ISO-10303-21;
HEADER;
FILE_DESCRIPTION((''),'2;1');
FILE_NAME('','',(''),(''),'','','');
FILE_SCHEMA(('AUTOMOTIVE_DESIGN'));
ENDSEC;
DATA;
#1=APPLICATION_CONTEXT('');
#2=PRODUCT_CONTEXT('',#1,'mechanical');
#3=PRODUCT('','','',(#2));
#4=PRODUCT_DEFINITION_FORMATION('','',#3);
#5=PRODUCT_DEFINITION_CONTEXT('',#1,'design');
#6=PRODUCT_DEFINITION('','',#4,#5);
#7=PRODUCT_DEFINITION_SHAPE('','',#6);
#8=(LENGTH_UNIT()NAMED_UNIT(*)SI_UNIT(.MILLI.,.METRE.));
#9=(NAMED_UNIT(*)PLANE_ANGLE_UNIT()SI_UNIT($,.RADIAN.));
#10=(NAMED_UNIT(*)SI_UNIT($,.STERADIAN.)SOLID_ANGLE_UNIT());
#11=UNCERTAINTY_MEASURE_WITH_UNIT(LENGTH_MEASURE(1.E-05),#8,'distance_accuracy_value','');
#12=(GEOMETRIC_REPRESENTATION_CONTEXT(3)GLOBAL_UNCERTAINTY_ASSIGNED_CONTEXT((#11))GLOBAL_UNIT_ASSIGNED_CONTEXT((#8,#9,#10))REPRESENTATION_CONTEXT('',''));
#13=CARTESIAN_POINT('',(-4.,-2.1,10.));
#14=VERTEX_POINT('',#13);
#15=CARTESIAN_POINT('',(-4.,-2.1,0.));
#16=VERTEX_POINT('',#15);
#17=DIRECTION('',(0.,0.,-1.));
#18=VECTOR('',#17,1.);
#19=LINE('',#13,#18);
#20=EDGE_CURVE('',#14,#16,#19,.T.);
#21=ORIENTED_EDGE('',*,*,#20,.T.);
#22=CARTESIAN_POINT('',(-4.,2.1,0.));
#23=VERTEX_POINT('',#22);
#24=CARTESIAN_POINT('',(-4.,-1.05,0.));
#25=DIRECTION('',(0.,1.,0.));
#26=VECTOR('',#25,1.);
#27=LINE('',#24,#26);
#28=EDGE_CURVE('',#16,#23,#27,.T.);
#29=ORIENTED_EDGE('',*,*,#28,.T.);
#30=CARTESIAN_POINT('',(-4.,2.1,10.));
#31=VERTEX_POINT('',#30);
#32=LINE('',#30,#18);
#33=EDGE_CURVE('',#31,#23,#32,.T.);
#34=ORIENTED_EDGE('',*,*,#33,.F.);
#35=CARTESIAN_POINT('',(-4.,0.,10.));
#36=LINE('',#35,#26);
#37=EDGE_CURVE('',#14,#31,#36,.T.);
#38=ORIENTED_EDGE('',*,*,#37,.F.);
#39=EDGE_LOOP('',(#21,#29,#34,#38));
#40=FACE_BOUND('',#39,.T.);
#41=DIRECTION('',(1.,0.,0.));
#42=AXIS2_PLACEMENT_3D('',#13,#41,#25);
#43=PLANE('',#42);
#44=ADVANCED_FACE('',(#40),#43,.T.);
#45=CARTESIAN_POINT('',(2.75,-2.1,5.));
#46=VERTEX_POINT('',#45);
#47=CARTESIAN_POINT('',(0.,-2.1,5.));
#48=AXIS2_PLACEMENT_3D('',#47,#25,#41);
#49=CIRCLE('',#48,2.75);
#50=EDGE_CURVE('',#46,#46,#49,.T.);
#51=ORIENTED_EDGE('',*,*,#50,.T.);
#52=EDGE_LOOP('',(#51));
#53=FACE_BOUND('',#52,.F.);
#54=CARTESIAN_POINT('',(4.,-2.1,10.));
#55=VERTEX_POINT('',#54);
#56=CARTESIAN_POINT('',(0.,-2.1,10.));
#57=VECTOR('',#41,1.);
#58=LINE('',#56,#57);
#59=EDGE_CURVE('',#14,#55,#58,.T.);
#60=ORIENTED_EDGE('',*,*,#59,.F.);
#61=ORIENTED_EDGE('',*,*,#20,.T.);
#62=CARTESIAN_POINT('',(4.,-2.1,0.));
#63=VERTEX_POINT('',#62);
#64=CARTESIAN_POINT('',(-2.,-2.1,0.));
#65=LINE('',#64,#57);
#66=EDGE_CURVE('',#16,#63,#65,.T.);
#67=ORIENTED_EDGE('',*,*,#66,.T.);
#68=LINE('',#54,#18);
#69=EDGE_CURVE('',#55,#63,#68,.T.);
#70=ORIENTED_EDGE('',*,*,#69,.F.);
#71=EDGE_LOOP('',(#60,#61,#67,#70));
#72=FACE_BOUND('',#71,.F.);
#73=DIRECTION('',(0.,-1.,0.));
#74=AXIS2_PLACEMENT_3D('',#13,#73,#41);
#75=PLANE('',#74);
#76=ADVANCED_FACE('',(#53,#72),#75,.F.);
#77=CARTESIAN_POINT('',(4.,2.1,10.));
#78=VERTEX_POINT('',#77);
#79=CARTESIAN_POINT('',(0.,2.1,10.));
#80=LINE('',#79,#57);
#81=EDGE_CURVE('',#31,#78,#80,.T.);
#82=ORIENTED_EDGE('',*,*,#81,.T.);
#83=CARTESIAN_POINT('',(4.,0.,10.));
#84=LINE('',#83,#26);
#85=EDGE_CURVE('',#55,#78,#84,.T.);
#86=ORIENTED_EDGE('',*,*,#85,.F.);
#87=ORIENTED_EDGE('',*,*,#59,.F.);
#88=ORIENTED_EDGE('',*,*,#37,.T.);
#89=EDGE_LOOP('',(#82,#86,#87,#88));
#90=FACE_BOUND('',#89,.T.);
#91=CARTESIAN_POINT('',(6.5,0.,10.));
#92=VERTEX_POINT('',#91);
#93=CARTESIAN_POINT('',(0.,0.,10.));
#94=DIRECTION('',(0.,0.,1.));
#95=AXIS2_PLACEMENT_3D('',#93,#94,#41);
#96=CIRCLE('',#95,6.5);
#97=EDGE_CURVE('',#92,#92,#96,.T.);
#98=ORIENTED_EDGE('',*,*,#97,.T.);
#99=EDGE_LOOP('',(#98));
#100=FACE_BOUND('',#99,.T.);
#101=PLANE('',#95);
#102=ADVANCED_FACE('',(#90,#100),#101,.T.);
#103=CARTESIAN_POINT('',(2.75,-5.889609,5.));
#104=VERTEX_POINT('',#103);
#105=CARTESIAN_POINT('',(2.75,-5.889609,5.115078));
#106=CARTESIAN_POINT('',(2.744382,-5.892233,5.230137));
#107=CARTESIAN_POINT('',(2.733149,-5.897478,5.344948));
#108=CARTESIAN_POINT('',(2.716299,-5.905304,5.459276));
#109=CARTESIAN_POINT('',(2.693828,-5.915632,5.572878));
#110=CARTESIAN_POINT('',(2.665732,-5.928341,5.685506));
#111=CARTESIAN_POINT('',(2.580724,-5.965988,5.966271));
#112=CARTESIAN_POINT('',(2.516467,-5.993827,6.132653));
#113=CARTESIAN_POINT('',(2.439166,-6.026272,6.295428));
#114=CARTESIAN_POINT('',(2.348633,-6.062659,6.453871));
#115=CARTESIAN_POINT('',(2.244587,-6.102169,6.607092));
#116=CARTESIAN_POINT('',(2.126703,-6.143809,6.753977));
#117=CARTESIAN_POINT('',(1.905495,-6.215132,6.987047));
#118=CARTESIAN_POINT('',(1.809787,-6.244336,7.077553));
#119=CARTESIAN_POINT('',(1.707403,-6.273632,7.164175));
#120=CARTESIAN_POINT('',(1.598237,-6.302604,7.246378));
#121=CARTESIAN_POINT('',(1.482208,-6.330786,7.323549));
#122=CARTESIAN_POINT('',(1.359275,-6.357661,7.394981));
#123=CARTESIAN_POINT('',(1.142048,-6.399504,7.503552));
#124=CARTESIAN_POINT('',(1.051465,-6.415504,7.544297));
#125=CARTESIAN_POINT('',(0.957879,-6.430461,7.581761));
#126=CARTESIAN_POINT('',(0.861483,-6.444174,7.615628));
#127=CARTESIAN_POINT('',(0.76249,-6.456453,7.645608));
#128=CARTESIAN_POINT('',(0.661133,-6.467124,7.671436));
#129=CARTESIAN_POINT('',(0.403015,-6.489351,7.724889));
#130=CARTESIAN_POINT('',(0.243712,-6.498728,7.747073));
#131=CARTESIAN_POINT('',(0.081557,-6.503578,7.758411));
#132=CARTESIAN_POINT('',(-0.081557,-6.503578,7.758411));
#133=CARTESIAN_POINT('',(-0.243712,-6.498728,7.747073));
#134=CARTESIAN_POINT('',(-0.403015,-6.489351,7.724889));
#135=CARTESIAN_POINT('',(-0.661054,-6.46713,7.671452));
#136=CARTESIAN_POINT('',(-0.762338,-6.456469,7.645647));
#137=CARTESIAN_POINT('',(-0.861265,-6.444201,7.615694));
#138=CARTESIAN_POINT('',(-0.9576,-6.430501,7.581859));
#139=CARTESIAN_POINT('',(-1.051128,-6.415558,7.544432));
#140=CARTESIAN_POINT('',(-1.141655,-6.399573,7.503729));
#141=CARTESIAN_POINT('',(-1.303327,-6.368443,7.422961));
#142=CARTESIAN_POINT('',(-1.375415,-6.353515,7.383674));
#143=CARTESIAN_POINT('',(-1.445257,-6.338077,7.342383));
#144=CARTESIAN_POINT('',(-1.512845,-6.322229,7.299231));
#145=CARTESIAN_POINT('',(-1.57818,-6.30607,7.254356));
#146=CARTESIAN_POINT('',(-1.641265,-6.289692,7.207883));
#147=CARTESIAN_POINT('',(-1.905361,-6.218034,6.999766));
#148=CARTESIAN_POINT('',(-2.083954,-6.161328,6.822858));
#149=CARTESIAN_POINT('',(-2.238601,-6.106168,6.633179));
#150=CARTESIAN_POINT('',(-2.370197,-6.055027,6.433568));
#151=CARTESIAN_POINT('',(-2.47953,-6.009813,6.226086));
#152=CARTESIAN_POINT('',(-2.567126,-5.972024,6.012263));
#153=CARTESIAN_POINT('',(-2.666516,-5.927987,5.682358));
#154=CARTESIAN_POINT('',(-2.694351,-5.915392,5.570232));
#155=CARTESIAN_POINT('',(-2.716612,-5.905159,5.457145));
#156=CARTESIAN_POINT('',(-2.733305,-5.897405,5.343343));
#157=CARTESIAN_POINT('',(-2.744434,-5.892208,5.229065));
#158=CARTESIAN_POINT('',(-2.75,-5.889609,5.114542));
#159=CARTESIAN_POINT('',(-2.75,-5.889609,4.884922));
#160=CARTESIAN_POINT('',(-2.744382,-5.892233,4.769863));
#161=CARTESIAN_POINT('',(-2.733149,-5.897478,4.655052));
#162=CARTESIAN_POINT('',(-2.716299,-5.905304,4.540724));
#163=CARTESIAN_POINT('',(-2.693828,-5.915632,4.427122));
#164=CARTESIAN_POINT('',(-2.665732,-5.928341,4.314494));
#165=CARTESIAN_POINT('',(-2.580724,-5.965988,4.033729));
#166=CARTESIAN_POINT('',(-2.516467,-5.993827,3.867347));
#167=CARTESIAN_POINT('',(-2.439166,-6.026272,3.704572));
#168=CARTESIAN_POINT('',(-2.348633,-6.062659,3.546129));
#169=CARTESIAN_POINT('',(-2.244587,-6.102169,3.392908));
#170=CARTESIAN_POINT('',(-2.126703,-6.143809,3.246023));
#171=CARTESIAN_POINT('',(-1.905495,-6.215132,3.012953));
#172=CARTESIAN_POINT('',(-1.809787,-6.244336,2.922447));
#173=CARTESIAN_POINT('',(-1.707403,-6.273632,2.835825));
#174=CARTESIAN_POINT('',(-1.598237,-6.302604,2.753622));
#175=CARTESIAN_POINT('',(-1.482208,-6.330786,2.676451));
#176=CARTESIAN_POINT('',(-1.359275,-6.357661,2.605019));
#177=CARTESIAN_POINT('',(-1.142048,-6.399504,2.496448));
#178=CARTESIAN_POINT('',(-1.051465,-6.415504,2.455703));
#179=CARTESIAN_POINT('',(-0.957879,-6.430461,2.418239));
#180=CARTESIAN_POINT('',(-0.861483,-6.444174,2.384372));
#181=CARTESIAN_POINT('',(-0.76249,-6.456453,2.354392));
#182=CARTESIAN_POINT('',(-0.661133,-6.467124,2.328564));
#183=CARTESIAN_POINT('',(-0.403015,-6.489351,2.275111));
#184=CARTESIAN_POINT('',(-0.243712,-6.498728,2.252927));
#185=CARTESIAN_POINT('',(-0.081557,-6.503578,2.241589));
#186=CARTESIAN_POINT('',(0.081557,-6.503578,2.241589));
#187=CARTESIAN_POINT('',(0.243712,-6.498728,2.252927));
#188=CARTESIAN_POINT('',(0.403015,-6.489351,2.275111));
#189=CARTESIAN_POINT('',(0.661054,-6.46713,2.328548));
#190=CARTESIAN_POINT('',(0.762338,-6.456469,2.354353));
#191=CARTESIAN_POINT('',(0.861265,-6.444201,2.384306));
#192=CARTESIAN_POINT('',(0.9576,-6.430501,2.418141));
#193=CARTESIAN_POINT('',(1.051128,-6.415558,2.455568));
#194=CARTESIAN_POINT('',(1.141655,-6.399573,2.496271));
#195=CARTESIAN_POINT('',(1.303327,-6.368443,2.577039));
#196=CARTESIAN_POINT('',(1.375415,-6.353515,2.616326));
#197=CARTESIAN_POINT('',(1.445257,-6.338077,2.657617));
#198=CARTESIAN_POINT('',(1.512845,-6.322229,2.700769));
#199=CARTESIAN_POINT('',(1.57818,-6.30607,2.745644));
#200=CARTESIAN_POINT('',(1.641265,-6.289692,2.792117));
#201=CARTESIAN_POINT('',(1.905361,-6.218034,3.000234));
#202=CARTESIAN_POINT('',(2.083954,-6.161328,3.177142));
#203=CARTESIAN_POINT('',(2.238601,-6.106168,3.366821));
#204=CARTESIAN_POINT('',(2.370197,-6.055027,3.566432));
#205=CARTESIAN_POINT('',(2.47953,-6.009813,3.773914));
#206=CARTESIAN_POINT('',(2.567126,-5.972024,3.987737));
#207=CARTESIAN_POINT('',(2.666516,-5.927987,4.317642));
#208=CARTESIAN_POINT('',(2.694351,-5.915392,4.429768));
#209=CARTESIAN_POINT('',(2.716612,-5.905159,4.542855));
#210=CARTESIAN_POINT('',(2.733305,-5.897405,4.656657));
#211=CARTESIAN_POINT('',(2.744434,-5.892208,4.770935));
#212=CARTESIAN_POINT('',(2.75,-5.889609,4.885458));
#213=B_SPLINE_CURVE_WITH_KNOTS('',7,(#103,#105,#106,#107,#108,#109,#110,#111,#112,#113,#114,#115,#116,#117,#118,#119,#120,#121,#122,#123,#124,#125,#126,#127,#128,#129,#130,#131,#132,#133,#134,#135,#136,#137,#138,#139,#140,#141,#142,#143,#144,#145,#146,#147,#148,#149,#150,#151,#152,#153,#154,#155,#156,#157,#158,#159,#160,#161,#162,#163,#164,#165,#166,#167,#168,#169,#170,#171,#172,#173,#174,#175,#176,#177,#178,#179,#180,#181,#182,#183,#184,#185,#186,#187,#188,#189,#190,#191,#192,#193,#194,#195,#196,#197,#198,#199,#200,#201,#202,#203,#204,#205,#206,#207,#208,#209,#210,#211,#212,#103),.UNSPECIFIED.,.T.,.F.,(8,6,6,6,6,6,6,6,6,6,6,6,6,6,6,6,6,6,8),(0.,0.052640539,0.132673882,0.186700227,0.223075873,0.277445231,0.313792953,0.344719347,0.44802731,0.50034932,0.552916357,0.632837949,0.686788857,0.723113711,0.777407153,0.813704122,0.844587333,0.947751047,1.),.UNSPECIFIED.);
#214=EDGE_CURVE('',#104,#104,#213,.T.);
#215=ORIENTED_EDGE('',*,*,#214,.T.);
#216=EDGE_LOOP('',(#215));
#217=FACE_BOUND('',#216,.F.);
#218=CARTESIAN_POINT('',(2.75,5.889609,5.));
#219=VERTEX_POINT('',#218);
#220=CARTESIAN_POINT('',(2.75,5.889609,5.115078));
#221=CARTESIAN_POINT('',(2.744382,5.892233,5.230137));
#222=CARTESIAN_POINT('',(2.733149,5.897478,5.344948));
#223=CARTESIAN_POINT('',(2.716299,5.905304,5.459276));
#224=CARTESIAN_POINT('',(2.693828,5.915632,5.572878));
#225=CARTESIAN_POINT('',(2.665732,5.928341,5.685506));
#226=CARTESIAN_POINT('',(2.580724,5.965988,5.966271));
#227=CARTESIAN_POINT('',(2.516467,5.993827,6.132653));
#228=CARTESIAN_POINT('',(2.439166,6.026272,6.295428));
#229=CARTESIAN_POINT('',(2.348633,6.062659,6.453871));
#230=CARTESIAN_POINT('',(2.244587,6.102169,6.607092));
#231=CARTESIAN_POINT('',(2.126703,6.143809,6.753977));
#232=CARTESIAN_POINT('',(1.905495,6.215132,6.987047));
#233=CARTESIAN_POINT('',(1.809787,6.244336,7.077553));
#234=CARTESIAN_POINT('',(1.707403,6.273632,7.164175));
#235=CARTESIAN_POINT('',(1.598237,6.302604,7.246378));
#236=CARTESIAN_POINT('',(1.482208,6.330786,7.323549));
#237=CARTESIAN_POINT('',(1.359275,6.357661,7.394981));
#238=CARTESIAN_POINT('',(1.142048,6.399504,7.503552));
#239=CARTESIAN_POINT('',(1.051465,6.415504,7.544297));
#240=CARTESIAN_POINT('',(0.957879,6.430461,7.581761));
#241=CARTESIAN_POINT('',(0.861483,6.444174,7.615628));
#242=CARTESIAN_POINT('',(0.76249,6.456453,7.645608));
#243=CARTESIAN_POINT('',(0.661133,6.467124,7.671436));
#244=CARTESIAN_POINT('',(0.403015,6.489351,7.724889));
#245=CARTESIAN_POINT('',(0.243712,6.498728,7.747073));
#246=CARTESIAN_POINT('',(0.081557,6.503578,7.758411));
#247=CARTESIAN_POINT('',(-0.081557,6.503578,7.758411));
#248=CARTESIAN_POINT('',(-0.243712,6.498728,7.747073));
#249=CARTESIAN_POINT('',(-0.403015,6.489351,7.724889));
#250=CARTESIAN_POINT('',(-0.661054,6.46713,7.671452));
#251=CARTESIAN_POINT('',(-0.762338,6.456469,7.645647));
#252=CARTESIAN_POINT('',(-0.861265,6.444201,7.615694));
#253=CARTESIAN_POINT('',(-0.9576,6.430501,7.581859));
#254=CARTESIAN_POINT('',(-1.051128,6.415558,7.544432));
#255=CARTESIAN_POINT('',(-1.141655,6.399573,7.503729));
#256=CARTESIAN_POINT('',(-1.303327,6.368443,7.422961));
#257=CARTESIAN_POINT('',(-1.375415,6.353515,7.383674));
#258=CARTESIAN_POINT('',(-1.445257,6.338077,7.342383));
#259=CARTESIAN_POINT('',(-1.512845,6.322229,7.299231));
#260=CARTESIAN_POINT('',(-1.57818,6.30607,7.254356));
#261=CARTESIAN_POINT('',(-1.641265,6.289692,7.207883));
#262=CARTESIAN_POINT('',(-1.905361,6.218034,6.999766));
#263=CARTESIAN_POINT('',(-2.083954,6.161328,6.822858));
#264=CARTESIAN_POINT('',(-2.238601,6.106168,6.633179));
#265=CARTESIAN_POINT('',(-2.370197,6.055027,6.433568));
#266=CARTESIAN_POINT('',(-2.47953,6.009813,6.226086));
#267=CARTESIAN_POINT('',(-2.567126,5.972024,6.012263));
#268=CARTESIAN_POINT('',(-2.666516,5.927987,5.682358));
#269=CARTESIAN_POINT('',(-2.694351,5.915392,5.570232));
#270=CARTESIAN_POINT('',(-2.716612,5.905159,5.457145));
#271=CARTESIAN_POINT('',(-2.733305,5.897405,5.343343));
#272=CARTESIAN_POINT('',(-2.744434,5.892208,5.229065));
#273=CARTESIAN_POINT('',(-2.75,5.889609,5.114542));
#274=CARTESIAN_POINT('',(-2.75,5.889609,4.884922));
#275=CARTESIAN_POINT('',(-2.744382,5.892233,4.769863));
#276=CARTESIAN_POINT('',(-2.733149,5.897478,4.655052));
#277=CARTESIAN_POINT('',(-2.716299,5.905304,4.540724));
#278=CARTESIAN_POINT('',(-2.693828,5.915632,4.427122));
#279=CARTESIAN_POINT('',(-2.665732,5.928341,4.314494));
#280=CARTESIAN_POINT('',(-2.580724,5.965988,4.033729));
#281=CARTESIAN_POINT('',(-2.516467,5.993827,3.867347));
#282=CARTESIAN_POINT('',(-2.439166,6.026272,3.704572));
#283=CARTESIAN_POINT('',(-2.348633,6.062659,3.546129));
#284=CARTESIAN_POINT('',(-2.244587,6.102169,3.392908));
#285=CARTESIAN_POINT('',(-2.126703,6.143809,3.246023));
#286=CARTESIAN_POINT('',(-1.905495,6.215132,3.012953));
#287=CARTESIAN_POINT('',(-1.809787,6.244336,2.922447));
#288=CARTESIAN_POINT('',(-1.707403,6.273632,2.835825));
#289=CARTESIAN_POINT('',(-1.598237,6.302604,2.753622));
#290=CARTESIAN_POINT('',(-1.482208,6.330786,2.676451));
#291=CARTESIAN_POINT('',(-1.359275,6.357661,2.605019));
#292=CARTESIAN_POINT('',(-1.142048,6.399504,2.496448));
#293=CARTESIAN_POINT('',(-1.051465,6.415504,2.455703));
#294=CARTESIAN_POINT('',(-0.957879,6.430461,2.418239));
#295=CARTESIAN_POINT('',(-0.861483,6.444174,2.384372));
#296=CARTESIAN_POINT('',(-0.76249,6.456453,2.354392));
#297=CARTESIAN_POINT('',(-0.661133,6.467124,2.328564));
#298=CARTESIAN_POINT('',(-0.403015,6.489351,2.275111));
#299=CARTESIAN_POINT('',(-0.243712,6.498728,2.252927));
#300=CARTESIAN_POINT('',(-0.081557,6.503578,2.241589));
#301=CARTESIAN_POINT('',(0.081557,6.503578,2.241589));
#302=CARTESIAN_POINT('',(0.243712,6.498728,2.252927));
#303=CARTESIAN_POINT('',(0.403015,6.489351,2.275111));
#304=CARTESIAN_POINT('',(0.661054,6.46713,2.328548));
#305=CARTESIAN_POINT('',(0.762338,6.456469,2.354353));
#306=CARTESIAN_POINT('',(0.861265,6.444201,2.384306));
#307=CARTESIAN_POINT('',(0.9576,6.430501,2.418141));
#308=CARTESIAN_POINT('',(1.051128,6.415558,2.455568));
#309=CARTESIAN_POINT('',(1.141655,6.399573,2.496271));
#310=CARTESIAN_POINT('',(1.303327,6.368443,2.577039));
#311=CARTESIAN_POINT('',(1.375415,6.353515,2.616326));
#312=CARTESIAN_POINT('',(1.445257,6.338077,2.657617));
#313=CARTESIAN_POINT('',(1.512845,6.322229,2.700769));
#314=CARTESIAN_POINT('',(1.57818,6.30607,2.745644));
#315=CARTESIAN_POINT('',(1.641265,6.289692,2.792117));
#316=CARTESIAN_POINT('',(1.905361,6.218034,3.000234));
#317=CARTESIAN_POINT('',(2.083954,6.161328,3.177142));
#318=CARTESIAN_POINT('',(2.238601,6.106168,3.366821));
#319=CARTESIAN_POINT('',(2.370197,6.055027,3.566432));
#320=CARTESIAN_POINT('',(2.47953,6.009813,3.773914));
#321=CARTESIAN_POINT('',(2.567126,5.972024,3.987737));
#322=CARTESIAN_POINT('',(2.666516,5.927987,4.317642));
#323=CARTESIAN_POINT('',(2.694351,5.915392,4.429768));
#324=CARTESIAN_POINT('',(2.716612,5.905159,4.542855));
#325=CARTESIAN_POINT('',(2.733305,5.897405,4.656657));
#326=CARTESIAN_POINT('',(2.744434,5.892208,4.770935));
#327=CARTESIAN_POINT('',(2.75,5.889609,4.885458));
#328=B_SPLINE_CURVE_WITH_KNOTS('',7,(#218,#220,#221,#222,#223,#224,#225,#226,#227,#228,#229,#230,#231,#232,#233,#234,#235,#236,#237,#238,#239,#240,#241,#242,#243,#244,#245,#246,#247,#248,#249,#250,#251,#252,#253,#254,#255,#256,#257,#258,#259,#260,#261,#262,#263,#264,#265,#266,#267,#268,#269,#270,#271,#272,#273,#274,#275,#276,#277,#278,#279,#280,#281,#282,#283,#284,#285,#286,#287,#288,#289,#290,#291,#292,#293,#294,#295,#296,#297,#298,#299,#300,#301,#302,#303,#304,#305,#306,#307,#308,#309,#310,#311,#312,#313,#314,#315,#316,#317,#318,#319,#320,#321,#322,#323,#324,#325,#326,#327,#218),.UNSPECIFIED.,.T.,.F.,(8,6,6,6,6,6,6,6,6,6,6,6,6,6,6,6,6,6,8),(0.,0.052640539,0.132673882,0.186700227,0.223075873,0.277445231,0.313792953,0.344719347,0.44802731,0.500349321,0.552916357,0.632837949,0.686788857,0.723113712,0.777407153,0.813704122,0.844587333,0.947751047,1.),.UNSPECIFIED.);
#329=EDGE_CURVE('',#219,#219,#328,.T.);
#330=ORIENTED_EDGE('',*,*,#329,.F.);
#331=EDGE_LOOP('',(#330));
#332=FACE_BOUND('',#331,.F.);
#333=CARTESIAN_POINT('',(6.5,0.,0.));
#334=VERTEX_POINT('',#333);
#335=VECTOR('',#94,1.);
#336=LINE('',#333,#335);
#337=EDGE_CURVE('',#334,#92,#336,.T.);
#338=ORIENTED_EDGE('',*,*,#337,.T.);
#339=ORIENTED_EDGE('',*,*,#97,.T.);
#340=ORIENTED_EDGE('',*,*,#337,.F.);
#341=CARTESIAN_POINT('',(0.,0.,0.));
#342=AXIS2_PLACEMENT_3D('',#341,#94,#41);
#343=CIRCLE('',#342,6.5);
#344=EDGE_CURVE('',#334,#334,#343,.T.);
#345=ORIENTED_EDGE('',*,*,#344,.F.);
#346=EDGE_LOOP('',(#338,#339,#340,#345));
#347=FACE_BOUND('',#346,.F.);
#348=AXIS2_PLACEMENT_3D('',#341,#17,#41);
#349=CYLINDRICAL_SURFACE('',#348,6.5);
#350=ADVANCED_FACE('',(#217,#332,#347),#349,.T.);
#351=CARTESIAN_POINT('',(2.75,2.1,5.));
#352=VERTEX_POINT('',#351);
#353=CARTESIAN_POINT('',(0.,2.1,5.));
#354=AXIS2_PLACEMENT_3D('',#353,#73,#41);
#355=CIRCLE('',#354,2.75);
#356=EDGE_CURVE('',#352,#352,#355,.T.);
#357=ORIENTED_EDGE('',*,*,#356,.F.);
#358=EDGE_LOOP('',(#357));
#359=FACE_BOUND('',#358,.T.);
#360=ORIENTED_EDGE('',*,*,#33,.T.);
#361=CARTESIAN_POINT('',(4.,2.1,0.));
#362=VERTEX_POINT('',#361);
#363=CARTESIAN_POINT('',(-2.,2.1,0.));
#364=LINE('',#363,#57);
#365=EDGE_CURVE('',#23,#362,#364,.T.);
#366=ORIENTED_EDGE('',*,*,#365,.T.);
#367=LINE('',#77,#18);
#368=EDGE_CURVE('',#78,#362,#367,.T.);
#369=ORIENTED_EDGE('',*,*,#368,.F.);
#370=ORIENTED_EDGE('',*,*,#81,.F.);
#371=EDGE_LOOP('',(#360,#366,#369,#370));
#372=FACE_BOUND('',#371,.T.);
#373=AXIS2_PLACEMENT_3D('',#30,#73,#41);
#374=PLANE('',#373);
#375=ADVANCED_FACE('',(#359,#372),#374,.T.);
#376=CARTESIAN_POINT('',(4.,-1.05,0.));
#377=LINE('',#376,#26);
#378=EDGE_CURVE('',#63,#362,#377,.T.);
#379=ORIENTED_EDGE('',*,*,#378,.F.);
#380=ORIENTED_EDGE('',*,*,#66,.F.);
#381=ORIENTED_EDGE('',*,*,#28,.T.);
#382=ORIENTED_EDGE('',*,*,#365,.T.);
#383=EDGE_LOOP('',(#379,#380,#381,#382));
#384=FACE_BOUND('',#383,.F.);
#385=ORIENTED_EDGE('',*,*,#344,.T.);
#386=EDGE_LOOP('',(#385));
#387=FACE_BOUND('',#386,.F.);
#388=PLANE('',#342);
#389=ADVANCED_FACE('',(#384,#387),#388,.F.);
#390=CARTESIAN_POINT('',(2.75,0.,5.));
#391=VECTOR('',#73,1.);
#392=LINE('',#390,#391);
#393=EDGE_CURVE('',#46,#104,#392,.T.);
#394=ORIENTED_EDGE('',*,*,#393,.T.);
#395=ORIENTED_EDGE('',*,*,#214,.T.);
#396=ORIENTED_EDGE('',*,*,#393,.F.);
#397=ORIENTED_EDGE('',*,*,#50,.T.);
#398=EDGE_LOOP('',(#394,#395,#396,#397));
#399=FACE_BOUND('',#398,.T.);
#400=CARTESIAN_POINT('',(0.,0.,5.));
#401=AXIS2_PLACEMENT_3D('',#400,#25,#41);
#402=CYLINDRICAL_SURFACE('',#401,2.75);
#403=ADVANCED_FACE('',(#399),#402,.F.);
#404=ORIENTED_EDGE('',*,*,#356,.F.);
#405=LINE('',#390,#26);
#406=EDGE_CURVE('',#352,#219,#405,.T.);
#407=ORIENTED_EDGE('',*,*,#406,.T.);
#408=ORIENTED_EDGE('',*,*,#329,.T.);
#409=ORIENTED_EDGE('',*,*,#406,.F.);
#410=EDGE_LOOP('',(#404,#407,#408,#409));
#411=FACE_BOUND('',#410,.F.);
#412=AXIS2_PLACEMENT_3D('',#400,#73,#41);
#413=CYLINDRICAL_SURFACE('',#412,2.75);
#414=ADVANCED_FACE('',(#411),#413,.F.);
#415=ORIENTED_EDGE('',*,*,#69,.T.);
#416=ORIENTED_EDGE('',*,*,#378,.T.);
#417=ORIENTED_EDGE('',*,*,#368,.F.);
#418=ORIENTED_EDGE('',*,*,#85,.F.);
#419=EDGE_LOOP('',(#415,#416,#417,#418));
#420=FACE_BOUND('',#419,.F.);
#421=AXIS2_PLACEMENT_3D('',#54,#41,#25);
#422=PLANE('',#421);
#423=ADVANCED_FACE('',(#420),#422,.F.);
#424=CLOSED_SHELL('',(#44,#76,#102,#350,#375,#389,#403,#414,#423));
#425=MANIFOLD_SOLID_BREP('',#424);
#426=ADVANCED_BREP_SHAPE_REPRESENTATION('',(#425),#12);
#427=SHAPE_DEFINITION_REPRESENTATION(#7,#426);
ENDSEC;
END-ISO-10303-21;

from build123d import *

# Parameters (mm, degrees)
SKETCH_R             = 6.5
PAD_DEPTH            = 10
SKETCH001_W          = 8
SKETCH001_H          = 4.2
POCKET_DEPTH         = 10.001
SKETCH002_R          = 2.75
POCKET001_DEPTH      = 6.501
POCKET001_DEPTH_BACK = -6.501


with BuildPart() as part:
    # Sketch → Pad (new body)
    with BuildSketch(Plane.XY):
        Circle(SKETCH_R)
    extrude(amount=PAD_DEPTH)

    # Sketch001 (on Face3 of Pad) → Pocket (cut, through all)
    with BuildSketch(Plane.XY.offset(10)):
        Rectangle(SKETCH001_W, SKETCH001_H)
    extrude(amount=-POCKET_DEPTH, mode=Mode.SUBTRACT)

    # Sketch002 → Pocket001 (cut, two sides)
    with BuildSketch(Plane.XZ) as pocket001_sk:
        with Locations((0, 5)):
            Circle(SKETCH002_R)
    extrude(amount=-POCKET001_DEPTH, mode=Mode.SUBTRACT)
    extrude(pocket001_sk.sketch, amount=-POCKET001_DEPTH_BACK, mode=Mode.SUBTRACT)


solid = part.part
